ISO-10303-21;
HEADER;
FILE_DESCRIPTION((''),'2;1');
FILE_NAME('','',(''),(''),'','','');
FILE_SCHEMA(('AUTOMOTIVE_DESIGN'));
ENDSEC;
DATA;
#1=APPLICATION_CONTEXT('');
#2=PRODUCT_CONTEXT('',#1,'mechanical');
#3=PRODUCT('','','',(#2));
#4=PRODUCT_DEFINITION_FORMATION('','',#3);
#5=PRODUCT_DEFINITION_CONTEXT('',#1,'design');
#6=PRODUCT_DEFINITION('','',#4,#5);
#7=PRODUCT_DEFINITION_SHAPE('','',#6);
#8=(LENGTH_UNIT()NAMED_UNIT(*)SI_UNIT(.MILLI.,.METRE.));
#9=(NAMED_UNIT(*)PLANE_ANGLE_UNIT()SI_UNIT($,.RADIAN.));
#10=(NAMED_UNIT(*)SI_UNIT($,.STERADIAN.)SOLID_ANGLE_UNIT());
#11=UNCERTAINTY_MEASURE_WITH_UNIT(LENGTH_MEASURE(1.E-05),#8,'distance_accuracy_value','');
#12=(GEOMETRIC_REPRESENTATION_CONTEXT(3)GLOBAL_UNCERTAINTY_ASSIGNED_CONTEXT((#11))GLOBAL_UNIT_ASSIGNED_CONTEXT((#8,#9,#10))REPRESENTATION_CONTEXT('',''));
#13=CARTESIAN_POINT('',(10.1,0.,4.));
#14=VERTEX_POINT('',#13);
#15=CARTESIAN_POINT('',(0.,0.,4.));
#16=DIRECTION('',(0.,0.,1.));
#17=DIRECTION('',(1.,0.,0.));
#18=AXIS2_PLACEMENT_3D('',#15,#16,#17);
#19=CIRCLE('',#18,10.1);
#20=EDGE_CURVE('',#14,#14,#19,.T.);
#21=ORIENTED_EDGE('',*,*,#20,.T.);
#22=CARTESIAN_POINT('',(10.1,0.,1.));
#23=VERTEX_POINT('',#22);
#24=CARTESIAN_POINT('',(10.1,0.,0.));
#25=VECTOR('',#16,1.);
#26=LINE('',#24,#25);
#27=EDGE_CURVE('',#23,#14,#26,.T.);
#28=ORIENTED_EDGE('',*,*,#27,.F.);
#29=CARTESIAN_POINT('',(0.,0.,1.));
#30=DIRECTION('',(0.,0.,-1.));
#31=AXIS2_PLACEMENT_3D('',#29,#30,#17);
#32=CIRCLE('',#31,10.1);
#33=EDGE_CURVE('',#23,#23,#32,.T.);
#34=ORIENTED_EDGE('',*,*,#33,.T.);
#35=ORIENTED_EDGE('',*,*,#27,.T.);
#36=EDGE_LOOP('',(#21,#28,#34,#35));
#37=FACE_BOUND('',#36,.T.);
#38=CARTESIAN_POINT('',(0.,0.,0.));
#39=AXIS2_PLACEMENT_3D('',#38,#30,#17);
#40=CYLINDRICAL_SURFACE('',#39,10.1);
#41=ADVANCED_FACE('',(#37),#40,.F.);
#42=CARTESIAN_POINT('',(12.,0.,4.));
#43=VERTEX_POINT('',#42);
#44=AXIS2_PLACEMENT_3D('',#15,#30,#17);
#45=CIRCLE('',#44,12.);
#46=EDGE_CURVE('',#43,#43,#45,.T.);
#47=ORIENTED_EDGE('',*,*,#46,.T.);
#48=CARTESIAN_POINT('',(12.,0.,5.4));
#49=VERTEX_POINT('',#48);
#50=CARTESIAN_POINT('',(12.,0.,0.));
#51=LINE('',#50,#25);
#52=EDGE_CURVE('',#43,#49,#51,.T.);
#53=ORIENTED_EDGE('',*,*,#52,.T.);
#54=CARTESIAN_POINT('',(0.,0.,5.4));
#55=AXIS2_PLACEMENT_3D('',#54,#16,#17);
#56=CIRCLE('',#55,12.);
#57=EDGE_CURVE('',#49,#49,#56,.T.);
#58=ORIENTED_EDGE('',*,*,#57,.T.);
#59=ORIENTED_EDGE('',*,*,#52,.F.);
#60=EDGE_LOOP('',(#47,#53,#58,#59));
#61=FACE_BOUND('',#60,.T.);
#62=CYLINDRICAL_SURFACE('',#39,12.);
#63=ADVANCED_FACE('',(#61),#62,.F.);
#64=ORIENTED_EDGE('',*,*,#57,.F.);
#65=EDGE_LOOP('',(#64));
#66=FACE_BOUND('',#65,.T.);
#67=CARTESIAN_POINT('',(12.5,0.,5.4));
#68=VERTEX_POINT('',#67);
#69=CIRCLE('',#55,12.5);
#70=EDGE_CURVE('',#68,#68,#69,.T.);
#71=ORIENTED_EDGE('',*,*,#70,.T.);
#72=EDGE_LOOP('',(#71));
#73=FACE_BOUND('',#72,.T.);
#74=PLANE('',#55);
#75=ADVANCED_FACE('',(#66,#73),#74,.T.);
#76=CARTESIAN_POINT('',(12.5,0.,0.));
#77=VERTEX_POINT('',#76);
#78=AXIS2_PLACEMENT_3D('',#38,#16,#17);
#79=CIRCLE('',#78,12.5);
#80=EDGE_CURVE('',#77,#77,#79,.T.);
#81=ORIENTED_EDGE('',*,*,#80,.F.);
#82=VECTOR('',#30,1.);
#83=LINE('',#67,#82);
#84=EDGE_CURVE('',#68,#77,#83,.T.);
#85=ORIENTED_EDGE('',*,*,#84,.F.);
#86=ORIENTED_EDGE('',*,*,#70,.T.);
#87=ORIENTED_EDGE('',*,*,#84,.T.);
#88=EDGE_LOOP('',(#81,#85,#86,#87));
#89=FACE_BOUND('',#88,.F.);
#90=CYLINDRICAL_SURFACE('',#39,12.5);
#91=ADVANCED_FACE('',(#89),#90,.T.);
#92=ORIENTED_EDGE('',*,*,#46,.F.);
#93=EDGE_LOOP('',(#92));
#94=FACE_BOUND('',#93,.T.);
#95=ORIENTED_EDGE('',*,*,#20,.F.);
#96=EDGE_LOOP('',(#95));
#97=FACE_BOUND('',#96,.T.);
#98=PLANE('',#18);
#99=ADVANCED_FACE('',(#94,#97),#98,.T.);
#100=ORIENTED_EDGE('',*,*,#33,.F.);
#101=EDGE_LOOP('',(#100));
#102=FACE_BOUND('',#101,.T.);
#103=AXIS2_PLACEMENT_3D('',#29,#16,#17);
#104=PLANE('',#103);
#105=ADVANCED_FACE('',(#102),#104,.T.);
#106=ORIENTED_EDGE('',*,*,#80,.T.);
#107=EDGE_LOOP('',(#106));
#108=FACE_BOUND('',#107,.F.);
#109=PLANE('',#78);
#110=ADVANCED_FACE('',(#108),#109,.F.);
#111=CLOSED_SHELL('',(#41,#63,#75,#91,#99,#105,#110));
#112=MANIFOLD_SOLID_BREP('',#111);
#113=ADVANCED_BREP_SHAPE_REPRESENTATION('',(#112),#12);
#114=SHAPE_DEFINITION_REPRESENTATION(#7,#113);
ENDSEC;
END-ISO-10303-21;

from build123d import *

# Parameters (mm, degrees)
F0_R     = 12.5
F0_R_2   = 12
F1_DEPTH = 5.4
F2_R     = 12.5
F3_DEPTH = 1
F4_R     = 12.5
F4_R_2   = 10.1
F5_DEPTH = 4


with BuildPart() as f1:
    # F0 (on Top) → F1 (new body)
    with BuildSketch(Plane.XY):
        Circle(F0_R)
        Circle(F0_R_2, mode=Mode.SUBTRACT)
    extrude(amount=F1_DEPTH)

    # F2 (on Top) → F3 (join)
    with BuildSketch(Plane.XY):
        Circle(F2_R)
    extrude(amount=F3_DEPTH)

    # F4 (on Top) → F5 (join)
    with BuildSketch(Plane.XY):
        Circle(F4_R)
        Circle(F4_R_2, mode=Mode.SUBTRACT)
    extrude(amount=F5_DEPTH)


solid = f1.part
